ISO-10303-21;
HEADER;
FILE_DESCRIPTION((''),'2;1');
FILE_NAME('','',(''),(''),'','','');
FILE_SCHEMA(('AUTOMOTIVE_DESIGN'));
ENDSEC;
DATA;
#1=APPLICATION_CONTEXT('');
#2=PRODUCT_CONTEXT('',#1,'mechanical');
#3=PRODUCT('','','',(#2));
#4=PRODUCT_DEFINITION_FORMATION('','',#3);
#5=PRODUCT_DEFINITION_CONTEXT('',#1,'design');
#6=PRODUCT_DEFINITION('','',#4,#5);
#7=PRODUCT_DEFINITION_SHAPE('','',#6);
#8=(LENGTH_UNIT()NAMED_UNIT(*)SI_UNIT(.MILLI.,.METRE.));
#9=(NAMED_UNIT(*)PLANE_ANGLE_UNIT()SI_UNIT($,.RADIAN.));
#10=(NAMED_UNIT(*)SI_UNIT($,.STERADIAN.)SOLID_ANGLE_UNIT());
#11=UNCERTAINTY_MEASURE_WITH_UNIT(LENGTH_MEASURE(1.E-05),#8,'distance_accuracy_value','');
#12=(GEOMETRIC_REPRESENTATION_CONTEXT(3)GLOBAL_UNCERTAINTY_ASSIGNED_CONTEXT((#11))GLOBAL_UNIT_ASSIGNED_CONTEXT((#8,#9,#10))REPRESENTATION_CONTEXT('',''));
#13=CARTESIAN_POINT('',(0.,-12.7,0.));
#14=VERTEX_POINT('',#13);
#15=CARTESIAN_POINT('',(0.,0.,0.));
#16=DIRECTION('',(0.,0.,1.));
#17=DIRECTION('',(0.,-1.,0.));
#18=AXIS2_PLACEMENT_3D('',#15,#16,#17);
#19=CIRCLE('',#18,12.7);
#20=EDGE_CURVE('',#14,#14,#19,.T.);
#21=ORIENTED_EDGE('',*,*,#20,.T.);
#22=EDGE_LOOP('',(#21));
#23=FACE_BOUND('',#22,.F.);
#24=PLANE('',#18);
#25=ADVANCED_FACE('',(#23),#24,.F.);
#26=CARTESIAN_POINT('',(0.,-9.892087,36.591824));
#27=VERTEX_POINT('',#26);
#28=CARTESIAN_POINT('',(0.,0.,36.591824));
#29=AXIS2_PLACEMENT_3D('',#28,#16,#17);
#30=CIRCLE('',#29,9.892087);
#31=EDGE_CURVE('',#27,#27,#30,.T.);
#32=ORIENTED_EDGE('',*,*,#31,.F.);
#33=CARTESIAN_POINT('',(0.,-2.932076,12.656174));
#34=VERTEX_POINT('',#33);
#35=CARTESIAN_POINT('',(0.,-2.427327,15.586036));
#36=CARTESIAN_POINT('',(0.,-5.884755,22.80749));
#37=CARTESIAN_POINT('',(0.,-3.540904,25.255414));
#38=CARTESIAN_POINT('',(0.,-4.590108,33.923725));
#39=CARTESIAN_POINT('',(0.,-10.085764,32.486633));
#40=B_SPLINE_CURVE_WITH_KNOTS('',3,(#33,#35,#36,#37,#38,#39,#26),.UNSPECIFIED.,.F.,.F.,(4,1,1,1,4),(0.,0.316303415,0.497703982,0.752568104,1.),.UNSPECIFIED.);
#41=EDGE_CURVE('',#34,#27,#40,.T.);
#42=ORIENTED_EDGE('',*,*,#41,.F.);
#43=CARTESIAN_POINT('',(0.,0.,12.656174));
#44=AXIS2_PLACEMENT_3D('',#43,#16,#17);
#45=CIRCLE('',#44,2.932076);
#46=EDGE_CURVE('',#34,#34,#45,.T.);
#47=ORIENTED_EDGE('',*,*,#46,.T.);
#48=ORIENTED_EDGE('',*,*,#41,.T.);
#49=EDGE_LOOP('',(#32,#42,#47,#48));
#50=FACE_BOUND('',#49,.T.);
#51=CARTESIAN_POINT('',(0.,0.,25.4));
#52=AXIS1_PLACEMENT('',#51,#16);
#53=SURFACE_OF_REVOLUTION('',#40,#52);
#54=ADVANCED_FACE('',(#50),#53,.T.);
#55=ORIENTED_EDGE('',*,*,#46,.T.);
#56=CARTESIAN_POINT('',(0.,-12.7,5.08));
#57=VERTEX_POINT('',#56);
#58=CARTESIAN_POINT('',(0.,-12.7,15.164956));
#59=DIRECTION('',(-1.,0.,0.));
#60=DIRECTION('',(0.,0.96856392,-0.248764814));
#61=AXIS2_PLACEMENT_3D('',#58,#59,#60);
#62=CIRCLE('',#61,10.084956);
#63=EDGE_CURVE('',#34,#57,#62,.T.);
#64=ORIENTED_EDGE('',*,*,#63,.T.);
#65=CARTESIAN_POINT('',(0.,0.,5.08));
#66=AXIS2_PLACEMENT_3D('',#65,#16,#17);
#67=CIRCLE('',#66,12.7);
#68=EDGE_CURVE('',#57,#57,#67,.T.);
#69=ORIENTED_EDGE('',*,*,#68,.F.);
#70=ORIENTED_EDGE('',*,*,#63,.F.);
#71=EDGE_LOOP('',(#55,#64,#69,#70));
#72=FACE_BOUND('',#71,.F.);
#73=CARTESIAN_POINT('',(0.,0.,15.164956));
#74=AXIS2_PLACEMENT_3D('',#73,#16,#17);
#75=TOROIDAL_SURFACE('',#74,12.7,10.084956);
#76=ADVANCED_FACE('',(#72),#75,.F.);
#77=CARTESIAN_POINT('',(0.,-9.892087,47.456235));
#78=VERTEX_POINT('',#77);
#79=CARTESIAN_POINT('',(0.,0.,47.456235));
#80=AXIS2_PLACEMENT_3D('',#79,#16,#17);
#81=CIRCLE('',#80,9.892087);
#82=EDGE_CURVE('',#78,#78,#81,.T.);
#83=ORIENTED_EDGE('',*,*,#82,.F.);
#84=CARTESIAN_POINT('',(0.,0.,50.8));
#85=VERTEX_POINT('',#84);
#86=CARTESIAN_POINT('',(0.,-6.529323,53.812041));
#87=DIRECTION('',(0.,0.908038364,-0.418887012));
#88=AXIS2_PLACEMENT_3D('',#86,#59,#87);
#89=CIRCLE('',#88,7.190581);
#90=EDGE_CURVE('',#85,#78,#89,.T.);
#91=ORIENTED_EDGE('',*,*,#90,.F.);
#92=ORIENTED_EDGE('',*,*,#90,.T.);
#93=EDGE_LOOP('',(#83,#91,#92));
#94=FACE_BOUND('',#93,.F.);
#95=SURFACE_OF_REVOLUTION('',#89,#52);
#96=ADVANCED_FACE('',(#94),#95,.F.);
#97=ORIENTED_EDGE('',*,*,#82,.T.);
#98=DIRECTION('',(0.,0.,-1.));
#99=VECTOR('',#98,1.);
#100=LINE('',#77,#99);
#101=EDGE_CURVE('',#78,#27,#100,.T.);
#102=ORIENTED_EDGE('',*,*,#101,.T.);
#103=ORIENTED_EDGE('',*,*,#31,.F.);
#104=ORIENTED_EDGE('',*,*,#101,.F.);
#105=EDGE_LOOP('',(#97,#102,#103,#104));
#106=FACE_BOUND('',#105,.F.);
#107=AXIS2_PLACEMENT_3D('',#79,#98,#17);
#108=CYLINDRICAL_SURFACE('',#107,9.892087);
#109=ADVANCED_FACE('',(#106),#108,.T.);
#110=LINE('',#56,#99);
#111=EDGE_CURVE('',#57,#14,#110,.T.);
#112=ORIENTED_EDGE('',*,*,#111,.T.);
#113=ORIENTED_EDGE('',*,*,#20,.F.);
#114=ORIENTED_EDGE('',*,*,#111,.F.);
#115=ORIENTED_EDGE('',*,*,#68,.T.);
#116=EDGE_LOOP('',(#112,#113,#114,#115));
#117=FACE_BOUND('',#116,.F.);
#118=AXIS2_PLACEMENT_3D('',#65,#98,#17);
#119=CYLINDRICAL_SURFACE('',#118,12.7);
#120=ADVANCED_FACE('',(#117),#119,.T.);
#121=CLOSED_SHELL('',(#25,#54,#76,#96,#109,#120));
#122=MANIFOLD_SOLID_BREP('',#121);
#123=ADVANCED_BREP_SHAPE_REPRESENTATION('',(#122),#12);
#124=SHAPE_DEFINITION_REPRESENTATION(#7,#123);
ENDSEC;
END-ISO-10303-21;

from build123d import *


with BuildPart() as f1:
    # F0 (on Right) → F1 (revolve)
    with BuildSketch(Plane.YZ):
        with BuildLine():
            Line((-12.7, 0), (0, 0))
            Line((0, 0), (0, 50.8))
            ThreePointArc((0, 50.8), (-4.22672354, 47.0001037429), (-9.8920874298, 47.4562346935))
            Line((-9.8920874298, 47.4562346935), (-9.8920874298, 36.5918241441))
            add(Edge.make_bspline(
                [(-2.9320756439, 12.6561736688), (-2.4273266986, 15.5860356143), (-5.884754951, 22.8074898542), (-3.5409044181, 25.25541379), (-4.5901075037, 33.9237246001), (-10.0857636322, 32.4866325714), (-9.8920874298, 36.5918241441)],
                knots=[0, 0, 0, 0, 0.3163034149, 0.4977039823, 0.7525681043, 1, 1, 1, 1], degree=3))
            ThreePointArc((-2.9320756439, 12.6561736688), (-6.5191676595, 7.1960383571), (-12.7, 5.08))
            Line((-12.7, 5.08), (-12.7, 0))
        make_face()
    revolve(axis=Axis((0, 0, 25.4), (0, 0, 1)))


solid = f1.part
